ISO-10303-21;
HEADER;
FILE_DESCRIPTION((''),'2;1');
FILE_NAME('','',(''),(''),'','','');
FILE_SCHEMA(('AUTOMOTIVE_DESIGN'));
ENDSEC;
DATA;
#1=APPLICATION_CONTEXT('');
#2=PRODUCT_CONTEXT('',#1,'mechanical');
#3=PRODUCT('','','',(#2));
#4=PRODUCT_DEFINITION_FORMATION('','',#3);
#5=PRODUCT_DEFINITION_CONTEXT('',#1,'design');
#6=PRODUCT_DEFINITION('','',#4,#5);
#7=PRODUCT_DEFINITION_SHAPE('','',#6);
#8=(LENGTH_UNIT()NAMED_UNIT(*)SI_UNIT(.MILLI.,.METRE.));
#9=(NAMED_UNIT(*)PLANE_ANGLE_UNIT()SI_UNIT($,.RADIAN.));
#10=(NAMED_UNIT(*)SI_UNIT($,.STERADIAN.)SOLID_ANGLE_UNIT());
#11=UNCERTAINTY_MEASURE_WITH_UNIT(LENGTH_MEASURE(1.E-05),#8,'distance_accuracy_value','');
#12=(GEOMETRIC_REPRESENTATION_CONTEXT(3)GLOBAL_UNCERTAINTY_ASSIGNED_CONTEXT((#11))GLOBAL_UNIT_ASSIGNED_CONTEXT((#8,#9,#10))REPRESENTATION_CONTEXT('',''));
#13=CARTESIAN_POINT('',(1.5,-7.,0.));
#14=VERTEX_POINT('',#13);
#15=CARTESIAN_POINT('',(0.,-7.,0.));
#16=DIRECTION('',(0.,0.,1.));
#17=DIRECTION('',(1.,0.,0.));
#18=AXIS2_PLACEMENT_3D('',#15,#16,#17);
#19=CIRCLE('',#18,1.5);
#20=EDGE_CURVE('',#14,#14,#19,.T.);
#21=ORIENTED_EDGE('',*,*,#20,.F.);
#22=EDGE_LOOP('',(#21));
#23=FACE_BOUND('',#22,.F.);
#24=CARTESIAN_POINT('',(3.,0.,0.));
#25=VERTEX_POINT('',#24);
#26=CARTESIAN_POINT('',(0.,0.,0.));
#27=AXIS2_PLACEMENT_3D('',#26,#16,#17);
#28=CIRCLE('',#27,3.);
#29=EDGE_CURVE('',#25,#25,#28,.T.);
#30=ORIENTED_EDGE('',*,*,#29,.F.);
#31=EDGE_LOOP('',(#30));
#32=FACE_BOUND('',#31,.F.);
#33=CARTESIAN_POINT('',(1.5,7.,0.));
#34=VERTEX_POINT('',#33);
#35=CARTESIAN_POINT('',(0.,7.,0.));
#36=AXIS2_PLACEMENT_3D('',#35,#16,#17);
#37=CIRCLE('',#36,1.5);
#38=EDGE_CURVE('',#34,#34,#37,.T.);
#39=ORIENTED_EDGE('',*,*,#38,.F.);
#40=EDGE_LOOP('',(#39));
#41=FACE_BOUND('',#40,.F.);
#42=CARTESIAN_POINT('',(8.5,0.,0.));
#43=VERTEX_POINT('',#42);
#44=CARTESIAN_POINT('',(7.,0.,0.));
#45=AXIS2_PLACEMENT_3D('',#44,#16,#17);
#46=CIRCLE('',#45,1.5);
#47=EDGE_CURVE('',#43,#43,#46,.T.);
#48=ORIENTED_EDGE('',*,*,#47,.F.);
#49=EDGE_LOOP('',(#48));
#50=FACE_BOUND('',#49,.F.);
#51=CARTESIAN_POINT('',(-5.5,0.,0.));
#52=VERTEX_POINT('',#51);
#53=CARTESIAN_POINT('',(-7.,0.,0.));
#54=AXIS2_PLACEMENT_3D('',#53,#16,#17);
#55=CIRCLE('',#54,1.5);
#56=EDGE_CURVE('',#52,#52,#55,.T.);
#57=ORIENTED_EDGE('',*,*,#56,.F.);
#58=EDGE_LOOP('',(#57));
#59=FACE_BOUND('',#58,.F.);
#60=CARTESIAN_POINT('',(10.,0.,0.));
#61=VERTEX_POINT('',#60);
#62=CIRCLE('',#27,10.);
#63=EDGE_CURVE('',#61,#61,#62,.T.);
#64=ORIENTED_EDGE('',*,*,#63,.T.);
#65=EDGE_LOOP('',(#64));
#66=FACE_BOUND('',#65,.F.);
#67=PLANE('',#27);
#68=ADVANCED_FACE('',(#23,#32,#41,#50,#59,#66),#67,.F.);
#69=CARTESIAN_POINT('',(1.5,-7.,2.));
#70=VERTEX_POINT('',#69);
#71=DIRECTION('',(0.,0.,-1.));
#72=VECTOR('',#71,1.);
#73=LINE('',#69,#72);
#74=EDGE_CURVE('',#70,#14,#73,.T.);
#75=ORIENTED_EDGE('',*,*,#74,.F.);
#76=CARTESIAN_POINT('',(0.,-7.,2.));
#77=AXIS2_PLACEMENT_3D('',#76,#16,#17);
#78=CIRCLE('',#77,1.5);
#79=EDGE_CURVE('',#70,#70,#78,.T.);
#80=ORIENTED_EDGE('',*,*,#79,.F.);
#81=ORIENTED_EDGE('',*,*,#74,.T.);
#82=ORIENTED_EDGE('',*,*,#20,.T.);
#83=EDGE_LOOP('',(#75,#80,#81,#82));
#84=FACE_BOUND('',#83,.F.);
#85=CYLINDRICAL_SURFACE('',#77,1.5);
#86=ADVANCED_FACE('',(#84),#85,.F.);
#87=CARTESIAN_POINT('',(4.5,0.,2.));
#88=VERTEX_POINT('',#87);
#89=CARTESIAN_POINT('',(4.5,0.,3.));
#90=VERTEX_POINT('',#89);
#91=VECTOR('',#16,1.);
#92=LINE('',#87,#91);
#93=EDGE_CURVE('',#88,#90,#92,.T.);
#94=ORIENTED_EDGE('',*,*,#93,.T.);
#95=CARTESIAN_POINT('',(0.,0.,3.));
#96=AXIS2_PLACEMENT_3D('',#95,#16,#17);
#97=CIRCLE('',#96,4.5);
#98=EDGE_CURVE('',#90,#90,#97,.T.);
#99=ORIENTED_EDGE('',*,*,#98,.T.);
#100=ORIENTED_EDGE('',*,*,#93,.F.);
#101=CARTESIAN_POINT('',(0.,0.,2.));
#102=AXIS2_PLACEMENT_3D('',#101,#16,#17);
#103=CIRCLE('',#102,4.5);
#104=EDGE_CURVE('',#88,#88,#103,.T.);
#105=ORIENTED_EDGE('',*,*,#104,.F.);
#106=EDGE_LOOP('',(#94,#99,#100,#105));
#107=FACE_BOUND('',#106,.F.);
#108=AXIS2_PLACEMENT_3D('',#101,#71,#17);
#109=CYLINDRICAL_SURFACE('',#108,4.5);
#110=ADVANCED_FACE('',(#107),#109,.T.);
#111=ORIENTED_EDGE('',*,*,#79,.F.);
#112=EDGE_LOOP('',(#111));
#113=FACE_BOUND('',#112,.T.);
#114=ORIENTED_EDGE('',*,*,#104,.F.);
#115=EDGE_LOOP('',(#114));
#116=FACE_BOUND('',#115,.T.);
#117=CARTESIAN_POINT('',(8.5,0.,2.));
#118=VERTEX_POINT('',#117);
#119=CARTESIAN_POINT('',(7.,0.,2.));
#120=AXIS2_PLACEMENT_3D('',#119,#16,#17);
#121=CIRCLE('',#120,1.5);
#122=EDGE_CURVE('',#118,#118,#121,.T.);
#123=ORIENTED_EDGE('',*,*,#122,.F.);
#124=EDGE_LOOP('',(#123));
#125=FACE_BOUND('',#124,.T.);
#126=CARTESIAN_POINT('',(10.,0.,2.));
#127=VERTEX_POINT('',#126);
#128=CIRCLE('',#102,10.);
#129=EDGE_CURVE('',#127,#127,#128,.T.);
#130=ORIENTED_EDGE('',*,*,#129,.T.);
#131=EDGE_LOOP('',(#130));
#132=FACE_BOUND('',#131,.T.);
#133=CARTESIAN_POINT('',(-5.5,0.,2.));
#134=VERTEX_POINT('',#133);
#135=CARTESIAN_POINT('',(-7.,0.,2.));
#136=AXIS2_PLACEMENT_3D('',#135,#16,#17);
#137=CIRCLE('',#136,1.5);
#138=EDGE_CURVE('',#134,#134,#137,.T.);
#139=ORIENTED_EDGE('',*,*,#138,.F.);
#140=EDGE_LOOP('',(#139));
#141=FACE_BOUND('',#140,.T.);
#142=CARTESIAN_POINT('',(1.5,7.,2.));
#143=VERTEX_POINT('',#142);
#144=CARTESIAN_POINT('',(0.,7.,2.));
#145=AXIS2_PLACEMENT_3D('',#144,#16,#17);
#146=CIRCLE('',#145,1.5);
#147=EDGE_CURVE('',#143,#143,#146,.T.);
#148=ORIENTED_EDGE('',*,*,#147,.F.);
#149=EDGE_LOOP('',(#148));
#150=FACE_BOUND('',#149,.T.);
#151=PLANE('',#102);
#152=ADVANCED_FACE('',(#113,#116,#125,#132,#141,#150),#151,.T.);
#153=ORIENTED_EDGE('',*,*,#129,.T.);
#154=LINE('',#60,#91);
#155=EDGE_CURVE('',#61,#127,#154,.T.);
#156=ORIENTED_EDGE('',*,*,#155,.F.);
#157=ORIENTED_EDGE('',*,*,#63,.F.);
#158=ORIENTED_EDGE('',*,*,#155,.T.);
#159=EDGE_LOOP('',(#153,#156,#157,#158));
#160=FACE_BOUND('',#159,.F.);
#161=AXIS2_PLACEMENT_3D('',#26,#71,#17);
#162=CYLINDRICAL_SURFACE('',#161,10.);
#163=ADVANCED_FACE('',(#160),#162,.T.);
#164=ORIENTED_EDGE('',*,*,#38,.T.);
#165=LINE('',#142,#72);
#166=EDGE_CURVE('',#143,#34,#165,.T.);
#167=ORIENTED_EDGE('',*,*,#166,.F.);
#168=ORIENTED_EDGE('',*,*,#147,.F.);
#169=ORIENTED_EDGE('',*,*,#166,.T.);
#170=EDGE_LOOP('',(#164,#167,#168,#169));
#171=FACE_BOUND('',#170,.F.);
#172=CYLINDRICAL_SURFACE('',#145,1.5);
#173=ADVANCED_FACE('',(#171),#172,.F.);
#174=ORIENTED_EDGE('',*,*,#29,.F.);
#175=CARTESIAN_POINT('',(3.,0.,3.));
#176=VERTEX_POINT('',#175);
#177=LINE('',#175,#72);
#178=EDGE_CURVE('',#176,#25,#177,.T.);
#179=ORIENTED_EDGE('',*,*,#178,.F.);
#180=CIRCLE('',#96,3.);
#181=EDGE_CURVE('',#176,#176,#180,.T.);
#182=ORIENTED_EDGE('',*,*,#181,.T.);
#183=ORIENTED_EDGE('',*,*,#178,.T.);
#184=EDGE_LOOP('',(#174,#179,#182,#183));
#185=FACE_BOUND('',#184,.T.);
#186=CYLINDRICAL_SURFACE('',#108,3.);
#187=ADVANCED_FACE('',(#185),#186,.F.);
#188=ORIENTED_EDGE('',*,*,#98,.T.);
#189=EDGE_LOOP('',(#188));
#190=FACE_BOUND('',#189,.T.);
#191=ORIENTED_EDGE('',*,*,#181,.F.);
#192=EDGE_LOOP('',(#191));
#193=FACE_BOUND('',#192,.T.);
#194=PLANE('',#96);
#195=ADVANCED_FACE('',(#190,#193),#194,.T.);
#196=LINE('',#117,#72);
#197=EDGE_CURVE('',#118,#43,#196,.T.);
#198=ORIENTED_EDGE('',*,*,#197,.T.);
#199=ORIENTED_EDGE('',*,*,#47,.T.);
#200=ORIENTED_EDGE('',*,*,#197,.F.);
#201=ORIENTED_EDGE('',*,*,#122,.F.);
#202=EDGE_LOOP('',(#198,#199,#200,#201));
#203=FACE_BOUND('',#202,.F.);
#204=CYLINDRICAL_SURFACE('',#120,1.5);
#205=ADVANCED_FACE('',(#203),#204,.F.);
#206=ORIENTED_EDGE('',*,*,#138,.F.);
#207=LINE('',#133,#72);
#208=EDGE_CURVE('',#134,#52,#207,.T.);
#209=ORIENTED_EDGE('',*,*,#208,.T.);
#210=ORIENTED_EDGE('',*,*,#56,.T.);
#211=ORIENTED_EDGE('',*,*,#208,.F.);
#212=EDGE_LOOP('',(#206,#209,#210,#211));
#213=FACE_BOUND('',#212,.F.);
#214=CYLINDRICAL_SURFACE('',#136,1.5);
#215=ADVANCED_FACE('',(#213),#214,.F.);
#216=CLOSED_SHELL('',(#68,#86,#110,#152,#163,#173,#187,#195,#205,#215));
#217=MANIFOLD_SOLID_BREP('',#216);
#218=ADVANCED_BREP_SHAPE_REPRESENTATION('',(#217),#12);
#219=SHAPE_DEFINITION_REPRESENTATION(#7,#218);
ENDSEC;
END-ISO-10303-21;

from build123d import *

# Parameters (mm, degrees)
SKETCH_1_R          = 10
EXTRUDE_1_DEPTH     = 2
SKETCH_2_R          = 1.5
CUT_EXTRUDE_1_DEPTH = 2
SKETCH_3_R          = 3
CUT_EXTRUDE_2_DEPTH = 2
SKETCH_4_R          = 4.5
SKETCH_4_R_2        = 3
EXTRUDE_4_DEPTH     = 1


with BuildPart() as part:
    # 草图1 → 凸台-拉伸1 (new body)
    with BuildSketch(Plane.XY):
        Circle(SKETCH_1_R)
    extrude(amount=EXTRUDE_1_DEPTH)

    # 草图2 → 切除-拉伸1 (cut)
    with BuildSketch(Plane.XY.offset(2)):
        with Locations((0, 7)):
            Circle(SKETCH_2_R)
        with Locations((7, 0)):
            Circle(SKETCH_2_R)
        with Locations((0, -7)):
            Circle(SKETCH_2_R)
        with Locations((-7, 0)):
            Circle(SKETCH_2_R)
    extrude(amount=-CUT_EXTRUDE_1_DEPTH, mode=Mode.SUBTRACT)

    # 草图3 → 切除-拉伸2 (cut)
    with BuildSketch(Plane.XY.offset(2)):
        Circle(SKETCH_3_R)
    extrude(amount=-CUT_EXTRUDE_2_DEPTH, mode=Mode.SUBTRACT)

    # 草图4 → 凸台-拉伸4 (add)
    with BuildSketch(Plane.XY.offset(2)):
        Circle(SKETCH_4_R)
        Circle(SKETCH_4_R_2, mode=Mode.SUBTRACT)
    extrude(amount=EXTRUDE_4_DEPTH)


solid = part.part
